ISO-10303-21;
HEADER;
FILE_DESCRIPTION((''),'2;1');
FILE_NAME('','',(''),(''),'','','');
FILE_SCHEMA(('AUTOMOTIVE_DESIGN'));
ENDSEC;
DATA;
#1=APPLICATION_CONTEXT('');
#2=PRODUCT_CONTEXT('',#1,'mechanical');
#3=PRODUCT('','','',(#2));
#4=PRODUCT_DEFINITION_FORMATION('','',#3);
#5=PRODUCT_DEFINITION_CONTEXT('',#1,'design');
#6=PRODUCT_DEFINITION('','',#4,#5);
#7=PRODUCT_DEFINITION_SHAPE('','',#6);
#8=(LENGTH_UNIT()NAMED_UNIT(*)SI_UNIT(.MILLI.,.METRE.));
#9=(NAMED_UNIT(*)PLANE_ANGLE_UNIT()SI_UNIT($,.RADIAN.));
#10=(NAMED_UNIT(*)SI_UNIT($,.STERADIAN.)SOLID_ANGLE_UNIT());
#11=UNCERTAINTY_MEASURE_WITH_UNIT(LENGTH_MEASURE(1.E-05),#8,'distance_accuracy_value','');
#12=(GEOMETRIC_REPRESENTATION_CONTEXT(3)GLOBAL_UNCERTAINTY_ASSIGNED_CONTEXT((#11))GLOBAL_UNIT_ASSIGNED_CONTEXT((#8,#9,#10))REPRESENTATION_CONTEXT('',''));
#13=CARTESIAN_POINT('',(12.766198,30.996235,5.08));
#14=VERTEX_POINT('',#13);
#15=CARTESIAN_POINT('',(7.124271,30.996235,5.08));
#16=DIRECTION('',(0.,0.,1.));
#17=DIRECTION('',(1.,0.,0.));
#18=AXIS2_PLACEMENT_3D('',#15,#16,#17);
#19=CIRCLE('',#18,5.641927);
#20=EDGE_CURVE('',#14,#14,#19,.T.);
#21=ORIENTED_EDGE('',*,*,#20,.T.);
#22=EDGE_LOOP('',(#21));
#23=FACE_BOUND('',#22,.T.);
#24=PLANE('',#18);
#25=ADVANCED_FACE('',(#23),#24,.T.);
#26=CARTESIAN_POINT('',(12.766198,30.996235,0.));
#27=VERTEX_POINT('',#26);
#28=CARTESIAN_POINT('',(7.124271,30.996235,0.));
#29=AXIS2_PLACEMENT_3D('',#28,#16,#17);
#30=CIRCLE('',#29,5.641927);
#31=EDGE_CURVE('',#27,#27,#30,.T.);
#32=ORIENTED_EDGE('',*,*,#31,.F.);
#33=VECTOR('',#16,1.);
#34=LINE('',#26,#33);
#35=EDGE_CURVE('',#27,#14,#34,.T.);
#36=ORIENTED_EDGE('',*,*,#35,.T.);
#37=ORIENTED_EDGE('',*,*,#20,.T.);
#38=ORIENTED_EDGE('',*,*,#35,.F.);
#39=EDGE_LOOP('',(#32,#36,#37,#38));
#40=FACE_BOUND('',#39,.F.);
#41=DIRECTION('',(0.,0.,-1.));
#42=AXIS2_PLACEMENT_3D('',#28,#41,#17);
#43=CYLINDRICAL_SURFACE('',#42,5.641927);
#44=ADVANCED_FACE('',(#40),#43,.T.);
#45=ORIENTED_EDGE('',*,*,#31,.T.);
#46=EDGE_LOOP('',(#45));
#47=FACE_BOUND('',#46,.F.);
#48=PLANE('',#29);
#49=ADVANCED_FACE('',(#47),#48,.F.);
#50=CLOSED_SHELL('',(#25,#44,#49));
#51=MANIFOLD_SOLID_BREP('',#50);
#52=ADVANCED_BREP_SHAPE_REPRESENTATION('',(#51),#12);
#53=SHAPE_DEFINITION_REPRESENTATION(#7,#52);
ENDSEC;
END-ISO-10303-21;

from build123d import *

# Parameters (mm, degrees)
F0_R     = 5.641927486
F0_W     = 3.3217752267
F0_H     = 3.2844081407
F1_DEPTH = 5.08


with BuildPart() as f1:
    # F0 (on Top) → F1 (new body)
    with BuildSketch(Plane.XY):
        with Locations((7.1242708232, 30.9962347264)):
            Circle(F0_R)
        Polygon((3.8024955965, 30.9962347264), (3.8024955965, 34.2806428671), (7.1242708232, 34.2806428671), (10.7207624242, 34.2806428671), (10.7207624242, 27.4353437126), (3.8024955965, 27.4353437126), align=None, mode=Mode.SUBTRACT)
        Polygon((10.7207624242, 34.2806428671), (7.1242708232, 34.2806428671), (7.1242708232, 30.9962347264), (3.8024955965, 30.9962347264), (3.8024955965, 27.4353437126), (10.7207624242, 27.4353437126), align=None)
        with Locations((5.4633832098, 32.6384387968)):
            Rectangle(F0_W, F0_H)
    extrude(amount=F1_DEPTH)


solid = f1.part
